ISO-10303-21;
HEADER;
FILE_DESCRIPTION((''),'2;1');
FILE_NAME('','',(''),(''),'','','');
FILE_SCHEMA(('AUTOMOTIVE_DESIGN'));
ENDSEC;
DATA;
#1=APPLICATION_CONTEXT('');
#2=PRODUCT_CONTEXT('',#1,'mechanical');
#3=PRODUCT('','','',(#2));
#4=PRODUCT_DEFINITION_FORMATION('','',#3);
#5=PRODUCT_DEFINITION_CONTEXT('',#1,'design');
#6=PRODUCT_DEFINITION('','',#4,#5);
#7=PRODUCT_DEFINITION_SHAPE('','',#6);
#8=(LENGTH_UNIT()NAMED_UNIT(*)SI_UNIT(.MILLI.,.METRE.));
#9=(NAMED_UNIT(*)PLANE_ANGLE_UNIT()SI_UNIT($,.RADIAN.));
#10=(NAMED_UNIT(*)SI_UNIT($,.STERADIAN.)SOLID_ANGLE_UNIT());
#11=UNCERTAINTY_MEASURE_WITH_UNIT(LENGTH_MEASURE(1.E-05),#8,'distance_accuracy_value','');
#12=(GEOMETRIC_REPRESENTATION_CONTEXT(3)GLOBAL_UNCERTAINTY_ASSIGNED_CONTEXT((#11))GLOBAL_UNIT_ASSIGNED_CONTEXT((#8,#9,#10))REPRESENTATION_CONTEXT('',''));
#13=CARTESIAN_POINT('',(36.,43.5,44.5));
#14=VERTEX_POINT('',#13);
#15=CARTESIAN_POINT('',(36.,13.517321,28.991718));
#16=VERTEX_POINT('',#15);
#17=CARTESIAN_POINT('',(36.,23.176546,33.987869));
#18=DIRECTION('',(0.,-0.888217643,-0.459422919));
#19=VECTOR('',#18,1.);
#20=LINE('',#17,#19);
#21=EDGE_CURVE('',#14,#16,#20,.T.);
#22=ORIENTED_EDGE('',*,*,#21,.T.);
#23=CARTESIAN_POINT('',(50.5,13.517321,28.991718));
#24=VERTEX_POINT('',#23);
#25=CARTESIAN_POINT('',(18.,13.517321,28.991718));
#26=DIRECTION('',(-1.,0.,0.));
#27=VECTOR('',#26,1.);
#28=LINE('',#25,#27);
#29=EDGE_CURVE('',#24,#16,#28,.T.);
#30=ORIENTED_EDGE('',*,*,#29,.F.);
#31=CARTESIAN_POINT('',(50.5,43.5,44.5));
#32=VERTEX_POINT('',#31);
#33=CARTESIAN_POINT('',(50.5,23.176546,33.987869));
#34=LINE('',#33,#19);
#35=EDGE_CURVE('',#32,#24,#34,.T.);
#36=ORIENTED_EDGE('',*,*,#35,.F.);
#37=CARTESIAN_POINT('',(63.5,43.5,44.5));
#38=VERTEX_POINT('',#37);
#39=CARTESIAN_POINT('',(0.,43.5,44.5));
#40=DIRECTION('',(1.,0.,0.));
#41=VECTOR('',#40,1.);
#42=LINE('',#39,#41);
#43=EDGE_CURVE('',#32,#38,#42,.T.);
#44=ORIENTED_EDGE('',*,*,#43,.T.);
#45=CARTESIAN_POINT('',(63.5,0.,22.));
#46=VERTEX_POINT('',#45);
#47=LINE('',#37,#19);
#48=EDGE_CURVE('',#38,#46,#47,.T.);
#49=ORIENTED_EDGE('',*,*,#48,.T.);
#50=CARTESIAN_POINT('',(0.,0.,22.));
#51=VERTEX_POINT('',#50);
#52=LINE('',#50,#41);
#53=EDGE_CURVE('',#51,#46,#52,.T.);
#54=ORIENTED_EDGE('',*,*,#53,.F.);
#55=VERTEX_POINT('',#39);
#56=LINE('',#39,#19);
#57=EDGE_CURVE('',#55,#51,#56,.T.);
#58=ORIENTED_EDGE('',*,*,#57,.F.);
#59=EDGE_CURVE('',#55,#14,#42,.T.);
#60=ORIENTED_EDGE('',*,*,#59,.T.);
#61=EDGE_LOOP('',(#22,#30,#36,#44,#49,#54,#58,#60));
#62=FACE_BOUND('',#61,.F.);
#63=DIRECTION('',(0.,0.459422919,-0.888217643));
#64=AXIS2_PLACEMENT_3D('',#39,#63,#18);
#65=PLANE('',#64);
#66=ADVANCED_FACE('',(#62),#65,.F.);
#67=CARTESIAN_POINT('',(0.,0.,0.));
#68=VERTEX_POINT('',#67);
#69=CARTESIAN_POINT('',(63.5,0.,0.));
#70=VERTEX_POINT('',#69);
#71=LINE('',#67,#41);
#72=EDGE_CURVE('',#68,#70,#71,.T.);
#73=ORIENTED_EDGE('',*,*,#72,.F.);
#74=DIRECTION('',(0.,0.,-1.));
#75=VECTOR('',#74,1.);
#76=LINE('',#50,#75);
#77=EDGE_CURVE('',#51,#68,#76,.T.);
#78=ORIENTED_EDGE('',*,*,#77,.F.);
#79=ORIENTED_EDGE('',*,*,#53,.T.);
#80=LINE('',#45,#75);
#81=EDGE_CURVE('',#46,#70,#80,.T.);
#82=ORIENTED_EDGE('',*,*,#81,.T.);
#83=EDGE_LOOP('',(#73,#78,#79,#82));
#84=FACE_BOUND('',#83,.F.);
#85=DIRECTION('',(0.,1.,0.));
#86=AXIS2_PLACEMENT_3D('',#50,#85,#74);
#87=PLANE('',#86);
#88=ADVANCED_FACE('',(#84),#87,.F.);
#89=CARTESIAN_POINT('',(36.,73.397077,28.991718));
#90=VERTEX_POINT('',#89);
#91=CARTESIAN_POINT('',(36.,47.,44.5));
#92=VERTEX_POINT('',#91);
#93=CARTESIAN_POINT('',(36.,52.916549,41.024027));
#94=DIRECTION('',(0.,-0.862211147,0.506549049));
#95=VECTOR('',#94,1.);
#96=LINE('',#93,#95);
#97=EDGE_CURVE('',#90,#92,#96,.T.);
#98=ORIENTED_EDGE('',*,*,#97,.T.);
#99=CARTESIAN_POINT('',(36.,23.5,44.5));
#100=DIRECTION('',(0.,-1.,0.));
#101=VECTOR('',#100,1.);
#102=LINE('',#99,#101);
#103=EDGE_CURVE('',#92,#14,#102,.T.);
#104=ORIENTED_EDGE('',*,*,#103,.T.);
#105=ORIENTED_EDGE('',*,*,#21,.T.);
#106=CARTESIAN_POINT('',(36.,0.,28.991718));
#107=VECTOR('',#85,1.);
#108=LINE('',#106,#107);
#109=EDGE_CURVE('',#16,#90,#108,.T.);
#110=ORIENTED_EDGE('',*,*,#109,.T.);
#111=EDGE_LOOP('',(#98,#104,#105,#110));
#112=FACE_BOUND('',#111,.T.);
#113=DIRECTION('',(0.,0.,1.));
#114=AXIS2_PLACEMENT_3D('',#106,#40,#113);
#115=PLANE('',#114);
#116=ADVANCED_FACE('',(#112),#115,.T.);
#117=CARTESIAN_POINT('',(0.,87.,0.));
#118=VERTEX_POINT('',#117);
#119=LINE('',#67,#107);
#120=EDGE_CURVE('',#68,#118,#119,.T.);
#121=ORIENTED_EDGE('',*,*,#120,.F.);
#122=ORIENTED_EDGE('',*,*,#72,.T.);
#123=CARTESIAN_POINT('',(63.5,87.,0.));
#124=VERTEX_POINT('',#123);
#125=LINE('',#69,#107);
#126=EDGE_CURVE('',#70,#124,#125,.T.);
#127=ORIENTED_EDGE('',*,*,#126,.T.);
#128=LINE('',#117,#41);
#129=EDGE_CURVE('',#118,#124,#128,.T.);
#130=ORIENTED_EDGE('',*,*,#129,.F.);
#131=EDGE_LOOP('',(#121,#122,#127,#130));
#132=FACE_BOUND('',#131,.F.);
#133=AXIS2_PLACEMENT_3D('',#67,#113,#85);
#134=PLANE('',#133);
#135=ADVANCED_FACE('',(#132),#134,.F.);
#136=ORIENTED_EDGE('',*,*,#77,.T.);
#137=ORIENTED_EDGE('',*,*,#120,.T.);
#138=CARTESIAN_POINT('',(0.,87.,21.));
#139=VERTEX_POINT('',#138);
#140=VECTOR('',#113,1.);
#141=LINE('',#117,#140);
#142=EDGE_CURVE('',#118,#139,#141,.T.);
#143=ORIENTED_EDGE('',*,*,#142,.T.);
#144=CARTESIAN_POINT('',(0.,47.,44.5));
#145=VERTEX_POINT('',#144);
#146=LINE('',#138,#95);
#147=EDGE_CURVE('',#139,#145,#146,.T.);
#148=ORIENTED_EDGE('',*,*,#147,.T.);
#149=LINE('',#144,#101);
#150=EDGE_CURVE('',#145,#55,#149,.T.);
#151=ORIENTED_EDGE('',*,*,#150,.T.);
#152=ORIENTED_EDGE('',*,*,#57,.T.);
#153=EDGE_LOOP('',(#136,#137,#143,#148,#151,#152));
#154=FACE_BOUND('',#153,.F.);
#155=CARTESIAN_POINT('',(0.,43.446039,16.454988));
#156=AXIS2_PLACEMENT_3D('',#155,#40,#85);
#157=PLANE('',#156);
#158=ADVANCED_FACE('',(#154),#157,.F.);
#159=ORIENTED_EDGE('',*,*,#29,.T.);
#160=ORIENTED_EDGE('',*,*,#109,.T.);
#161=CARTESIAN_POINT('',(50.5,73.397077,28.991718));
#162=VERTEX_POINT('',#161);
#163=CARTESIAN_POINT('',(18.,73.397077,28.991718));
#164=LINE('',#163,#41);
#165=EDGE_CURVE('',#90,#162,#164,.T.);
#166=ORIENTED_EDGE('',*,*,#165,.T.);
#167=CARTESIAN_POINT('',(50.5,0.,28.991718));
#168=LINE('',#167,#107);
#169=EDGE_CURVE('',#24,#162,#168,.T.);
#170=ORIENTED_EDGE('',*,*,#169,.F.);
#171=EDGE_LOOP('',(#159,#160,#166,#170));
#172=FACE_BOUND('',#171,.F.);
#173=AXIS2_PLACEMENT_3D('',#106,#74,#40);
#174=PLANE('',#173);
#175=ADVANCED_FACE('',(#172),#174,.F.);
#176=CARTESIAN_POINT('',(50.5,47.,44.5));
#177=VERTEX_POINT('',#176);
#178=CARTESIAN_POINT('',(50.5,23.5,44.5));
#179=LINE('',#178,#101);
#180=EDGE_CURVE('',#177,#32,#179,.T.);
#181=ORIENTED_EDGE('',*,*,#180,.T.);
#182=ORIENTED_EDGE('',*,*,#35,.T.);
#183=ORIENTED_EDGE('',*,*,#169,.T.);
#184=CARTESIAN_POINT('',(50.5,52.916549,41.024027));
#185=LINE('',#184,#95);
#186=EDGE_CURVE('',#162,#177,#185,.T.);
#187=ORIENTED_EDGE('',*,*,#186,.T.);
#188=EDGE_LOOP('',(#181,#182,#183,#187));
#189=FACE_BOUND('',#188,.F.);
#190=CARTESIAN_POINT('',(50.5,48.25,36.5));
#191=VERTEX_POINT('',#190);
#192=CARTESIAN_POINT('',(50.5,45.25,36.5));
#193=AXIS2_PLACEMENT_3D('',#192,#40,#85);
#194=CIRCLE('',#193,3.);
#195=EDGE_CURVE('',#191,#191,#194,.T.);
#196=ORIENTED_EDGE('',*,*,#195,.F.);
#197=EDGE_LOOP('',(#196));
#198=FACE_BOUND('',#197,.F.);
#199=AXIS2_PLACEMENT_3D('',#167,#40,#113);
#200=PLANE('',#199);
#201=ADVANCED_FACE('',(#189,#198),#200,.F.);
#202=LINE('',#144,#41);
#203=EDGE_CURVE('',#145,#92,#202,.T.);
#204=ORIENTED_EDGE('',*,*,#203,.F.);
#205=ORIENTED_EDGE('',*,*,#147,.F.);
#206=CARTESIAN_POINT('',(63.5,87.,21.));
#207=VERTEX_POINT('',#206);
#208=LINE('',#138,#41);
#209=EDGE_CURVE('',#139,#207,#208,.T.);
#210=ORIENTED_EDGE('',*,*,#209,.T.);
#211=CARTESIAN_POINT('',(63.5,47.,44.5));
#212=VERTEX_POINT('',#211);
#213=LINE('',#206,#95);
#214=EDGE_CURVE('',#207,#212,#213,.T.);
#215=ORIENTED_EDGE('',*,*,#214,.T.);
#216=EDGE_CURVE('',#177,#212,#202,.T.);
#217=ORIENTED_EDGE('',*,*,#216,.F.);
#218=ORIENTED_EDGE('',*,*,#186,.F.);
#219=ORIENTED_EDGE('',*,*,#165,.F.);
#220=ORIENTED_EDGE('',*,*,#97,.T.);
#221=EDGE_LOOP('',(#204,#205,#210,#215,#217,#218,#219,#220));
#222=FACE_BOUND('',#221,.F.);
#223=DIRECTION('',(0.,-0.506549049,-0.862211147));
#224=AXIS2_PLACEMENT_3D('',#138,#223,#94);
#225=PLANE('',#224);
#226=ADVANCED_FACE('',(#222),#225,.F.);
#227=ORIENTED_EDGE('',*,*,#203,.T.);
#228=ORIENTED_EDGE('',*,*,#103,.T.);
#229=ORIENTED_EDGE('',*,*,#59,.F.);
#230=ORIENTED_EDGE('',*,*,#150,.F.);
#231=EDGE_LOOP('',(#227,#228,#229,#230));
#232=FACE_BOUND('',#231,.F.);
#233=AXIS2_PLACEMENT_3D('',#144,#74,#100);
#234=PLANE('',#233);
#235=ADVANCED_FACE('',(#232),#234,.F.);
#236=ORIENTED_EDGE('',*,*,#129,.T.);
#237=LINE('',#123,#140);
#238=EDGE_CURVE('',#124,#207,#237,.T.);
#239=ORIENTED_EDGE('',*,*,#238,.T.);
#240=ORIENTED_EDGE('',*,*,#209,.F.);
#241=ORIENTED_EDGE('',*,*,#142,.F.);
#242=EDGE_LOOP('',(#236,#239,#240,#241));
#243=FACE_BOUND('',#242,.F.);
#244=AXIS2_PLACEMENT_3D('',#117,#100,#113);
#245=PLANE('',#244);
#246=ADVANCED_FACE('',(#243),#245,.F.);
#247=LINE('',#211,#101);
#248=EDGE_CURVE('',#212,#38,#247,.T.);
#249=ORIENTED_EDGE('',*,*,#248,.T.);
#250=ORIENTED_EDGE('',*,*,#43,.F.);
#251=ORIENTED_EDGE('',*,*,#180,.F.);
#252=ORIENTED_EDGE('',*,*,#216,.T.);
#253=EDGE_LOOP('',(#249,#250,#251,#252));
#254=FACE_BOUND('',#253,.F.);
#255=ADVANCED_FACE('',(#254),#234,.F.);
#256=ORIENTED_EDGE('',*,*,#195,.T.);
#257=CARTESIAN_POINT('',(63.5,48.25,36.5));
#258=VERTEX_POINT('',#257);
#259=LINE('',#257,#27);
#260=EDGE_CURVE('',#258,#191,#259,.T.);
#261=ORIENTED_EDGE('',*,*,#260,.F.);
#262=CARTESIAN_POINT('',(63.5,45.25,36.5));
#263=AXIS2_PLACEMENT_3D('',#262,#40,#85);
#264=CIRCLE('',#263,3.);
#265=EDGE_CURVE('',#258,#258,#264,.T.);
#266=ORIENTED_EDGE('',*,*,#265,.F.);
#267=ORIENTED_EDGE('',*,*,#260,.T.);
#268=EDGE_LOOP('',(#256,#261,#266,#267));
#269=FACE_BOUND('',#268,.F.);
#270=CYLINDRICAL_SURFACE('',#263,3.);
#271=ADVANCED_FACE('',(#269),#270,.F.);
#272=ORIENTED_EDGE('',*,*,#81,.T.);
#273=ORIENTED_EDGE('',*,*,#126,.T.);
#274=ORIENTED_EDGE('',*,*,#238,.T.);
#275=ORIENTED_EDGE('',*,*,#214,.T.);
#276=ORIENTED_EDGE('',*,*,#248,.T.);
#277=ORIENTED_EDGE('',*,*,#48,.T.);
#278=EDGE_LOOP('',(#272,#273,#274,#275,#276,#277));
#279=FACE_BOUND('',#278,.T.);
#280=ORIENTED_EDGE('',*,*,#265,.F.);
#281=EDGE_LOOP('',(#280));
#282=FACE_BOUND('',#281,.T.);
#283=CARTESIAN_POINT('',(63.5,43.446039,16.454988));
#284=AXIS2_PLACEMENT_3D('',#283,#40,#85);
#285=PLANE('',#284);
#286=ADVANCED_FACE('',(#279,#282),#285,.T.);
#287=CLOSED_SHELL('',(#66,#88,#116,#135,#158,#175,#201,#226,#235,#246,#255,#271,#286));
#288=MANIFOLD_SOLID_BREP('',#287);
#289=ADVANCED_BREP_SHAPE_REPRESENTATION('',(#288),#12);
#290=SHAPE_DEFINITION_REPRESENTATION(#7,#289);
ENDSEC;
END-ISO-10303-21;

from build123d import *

# Parameters (mm, degrees)
F1_DEPTH = 63.5
F2_W     = 14.5
F2_H     = 23.934039
F3_DEPTH = 100
F4_R     = 3
F5_DEPTH = 25


with BuildPart() as f1:
    # F0 (on Right) → F1 (new body)
    with BuildSketch(Plane.YZ):
        Polygon((0, 22), (0, 0), (87, 0), (87, 21), (47, 44.5), (43.5, 44.5), align=None)
    extrude(amount=F1_DEPTH)

    # F2 (on face) → F3 (cut)
    with BuildSketch(Plane.XZ):
        with Locations((43.25, 40.958737)):
            Rectangle(F2_W, F2_H)
    extrude(amount=-F3_DEPTH, mode=Mode.SUBTRACT)

    # F4 (on face) → F5 (cut)
    with BuildSketch(Plane.YZ.offset(63.5)):
        with Locations((45.25, 36.5)):
            Circle(F4_R)
    extrude(amount=-F5_DEPTH, mode=Mode.SUBTRACT)


solid = f1.part
